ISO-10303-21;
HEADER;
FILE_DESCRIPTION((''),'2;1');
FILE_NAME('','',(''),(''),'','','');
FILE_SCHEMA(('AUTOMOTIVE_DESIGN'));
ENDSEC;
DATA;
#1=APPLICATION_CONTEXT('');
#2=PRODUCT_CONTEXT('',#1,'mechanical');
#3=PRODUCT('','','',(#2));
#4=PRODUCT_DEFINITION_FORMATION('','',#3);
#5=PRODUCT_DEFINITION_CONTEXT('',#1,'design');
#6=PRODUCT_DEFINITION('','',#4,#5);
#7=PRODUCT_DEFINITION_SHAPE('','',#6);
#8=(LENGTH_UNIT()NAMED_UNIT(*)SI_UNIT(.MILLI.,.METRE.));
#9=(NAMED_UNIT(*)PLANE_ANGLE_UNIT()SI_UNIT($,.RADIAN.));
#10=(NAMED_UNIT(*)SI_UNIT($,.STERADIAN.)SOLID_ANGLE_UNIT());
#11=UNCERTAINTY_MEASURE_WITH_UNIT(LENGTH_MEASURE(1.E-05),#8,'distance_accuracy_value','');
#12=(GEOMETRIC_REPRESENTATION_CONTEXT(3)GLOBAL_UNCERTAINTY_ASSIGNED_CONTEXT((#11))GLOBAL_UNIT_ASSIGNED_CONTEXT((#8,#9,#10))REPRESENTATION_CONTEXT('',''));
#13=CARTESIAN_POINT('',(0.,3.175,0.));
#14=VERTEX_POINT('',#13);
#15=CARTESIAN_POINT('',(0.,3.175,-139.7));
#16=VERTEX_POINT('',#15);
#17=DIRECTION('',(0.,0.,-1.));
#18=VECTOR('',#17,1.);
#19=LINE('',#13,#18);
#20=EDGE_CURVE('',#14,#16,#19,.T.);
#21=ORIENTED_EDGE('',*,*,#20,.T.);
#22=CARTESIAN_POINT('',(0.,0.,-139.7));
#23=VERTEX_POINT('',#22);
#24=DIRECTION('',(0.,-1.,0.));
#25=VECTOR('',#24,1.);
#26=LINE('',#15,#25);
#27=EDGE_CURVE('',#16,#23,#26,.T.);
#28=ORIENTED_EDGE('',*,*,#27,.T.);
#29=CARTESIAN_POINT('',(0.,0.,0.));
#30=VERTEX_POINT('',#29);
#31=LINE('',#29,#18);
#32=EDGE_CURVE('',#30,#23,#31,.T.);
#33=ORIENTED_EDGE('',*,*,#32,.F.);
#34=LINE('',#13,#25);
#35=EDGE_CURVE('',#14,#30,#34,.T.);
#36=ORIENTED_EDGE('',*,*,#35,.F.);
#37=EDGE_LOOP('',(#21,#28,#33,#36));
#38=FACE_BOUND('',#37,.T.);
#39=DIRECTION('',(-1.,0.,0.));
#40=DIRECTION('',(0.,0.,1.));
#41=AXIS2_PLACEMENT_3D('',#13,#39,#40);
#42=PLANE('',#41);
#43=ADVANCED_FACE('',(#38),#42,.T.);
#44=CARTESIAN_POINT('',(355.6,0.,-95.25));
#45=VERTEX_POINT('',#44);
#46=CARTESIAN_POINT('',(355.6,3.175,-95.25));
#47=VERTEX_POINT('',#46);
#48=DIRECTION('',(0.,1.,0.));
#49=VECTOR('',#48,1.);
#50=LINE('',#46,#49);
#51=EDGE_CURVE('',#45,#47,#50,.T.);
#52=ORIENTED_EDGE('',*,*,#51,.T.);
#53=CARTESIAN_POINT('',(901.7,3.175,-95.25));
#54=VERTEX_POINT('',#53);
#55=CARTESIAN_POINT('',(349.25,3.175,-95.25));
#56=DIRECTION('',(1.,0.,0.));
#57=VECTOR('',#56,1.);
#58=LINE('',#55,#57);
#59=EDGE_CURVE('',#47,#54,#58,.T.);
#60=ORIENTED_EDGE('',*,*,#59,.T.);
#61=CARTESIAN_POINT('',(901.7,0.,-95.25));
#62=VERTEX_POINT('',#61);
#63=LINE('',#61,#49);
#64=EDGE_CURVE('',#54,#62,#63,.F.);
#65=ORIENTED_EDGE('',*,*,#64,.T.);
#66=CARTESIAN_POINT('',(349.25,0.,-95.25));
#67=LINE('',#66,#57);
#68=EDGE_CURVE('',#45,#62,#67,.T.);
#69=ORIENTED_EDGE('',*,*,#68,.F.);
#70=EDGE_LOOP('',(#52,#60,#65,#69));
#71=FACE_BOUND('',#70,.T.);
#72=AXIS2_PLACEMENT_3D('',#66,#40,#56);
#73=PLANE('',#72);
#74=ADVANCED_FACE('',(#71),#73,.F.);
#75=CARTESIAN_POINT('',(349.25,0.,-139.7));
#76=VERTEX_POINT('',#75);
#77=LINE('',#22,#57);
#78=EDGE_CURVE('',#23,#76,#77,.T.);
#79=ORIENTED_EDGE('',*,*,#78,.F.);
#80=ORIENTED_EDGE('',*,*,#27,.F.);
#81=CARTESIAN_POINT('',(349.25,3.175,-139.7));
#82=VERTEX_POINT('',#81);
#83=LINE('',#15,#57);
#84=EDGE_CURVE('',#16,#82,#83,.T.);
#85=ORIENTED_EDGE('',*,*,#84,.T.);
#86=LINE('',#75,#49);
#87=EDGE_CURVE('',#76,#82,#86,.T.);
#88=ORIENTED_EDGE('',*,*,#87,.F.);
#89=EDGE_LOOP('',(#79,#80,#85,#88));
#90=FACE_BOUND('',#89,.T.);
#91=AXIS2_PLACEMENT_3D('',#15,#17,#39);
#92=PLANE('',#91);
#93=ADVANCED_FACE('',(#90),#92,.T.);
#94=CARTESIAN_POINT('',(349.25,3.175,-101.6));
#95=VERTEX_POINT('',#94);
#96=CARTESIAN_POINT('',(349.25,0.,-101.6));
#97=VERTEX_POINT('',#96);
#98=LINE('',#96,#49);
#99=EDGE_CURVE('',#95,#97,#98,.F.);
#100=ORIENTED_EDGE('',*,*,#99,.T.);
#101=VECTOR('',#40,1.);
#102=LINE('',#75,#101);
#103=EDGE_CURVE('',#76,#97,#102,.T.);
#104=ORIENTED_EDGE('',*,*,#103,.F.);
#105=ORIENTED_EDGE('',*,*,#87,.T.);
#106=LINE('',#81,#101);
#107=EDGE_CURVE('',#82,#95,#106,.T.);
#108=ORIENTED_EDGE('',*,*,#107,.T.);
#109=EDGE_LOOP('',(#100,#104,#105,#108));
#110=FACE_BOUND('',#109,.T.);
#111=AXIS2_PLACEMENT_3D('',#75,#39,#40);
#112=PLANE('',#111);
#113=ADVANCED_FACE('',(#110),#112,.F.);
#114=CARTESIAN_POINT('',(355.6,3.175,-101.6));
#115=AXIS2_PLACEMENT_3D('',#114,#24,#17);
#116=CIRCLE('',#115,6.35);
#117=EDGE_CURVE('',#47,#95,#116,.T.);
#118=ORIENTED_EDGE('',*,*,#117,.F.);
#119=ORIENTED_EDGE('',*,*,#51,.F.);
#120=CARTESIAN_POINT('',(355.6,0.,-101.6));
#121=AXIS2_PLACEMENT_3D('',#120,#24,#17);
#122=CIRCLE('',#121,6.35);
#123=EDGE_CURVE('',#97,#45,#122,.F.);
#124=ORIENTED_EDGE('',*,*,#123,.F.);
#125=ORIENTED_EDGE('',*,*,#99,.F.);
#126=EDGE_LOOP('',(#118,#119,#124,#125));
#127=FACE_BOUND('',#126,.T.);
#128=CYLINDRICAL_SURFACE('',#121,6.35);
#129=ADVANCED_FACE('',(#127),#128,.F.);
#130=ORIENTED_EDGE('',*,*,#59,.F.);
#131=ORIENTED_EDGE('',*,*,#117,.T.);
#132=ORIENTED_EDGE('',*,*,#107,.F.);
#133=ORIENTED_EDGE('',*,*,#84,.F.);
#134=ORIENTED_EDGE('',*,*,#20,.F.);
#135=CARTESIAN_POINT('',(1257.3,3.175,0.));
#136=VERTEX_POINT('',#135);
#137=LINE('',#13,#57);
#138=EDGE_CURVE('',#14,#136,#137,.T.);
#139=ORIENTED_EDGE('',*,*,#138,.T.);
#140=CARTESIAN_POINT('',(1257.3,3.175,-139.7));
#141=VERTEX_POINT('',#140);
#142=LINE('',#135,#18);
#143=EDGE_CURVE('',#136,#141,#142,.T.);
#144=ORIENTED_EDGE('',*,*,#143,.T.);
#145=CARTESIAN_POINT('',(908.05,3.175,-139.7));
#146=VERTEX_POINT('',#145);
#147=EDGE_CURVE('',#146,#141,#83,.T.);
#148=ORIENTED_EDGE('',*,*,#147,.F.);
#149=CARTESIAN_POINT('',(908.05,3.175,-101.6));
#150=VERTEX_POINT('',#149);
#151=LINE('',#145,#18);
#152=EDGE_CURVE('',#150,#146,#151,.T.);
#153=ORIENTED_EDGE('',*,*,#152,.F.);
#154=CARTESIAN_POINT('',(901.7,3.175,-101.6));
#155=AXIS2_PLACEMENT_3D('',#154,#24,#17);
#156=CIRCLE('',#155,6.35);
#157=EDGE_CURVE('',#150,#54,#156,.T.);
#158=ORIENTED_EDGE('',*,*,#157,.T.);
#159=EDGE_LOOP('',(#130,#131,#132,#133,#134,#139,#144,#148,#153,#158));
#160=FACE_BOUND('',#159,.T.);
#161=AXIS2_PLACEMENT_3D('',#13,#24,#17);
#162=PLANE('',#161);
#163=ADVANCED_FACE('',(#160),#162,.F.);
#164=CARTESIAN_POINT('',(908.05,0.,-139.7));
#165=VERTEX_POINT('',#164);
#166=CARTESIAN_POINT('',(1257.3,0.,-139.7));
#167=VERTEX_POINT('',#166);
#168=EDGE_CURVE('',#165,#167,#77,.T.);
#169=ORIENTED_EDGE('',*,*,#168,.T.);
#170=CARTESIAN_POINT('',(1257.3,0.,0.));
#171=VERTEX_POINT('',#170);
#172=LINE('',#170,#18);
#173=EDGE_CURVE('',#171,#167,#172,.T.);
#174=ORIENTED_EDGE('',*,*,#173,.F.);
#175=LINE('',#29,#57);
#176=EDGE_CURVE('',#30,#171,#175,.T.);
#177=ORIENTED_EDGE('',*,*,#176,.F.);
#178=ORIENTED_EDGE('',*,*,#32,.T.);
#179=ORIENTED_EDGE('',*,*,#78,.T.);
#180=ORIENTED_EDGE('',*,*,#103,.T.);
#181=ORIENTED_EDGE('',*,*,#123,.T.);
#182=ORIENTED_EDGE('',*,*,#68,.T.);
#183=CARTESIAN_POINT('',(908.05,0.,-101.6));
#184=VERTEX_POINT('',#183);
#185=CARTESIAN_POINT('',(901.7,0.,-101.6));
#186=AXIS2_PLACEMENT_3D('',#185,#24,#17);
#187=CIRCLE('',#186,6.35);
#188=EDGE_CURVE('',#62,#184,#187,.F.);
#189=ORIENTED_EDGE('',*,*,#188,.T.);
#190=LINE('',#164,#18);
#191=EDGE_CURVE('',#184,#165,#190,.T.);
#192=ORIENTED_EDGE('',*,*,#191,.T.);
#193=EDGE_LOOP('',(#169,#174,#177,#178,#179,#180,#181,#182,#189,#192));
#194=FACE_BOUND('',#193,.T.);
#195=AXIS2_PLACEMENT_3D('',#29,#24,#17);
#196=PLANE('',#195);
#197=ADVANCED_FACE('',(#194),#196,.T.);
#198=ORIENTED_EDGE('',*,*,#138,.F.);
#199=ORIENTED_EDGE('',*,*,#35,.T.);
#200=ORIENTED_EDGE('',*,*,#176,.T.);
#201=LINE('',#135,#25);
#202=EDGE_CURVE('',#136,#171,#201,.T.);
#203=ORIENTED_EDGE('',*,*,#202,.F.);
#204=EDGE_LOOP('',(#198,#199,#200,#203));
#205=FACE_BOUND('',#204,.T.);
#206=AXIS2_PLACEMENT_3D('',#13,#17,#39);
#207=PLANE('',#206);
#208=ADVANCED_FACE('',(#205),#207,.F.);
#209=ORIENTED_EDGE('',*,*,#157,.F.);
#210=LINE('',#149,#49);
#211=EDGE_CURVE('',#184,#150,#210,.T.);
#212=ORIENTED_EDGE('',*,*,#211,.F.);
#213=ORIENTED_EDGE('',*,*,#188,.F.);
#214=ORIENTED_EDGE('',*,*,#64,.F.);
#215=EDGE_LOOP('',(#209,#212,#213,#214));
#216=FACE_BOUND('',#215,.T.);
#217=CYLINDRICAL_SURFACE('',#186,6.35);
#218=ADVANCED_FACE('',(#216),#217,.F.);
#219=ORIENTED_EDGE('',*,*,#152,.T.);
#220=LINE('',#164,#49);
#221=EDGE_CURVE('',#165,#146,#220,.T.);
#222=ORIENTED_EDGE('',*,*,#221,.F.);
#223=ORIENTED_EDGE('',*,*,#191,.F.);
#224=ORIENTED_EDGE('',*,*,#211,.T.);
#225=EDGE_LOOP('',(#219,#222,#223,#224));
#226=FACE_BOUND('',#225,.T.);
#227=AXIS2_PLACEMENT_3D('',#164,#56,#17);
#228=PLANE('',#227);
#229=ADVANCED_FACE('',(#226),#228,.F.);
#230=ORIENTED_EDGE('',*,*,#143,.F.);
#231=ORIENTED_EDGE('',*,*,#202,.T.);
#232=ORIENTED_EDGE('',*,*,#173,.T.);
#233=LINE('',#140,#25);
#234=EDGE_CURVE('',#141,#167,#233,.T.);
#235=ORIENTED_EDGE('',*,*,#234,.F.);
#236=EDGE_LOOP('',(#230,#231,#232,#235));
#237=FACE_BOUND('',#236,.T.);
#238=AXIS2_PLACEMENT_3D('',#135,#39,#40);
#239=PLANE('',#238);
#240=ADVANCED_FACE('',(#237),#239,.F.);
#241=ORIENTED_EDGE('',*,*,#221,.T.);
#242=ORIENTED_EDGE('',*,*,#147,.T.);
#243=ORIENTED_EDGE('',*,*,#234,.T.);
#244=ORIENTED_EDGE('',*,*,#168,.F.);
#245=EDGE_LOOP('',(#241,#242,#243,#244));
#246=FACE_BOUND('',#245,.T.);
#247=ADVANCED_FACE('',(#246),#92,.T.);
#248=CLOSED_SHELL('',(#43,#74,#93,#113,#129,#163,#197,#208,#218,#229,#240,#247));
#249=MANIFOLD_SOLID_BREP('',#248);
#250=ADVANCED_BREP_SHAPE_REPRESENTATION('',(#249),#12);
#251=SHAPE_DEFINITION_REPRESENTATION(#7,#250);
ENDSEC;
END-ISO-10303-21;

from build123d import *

# Parameters (mm, degrees)
SKETCH1_W           = 1257.3
SKETCH1_H           = 139.7
BOSS_EXTRUDE1_DEPTH = 3.175
SKETCH2_W           = 558.8
SKETCH2_H           = 44.45
CUT_EXTRUDE1_DEPTH  = 4.175
FILLET1_R           = 6.35


with BuildPart() as part:
    # Sketch1 → Boss-Extrude1 (new body)
    with BuildSketch(Plane(origin=(0, 0, 0), x_dir=(1, 0, 0), z_dir=(0, 1, 0))):
        with Locations((628.65, 69.85)):
            Rectangle(SKETCH1_W, SKETCH1_H)
    extrude(amount=BOSS_EXTRUDE1_DEPTH)

    # Sketch2 → Cut-Extrude1 (cut, through all)
    with BuildSketch(Plane(origin=(0, 3.175, 0), x_dir=(1, 0, 0), z_dir=(0, 1, 0))):
        with Locations((628.65, 117.475)):
            Rectangle(SKETCH2_W, SKETCH2_H)
    extrude(amount=-CUT_EXTRUDE1_DEPTH, mode=Mode.SUBTRACT)

    # Fillet1
    fillet1_edges = [part.edges().sort_by_distance(p)[0] for p in [
        (349.25, 1.5875, -95.25),
        (908.05, 1.5875, -95.25),
    ]]
    fillet(fillet1_edges, radius=FILLET1_R)


solid = part.part
